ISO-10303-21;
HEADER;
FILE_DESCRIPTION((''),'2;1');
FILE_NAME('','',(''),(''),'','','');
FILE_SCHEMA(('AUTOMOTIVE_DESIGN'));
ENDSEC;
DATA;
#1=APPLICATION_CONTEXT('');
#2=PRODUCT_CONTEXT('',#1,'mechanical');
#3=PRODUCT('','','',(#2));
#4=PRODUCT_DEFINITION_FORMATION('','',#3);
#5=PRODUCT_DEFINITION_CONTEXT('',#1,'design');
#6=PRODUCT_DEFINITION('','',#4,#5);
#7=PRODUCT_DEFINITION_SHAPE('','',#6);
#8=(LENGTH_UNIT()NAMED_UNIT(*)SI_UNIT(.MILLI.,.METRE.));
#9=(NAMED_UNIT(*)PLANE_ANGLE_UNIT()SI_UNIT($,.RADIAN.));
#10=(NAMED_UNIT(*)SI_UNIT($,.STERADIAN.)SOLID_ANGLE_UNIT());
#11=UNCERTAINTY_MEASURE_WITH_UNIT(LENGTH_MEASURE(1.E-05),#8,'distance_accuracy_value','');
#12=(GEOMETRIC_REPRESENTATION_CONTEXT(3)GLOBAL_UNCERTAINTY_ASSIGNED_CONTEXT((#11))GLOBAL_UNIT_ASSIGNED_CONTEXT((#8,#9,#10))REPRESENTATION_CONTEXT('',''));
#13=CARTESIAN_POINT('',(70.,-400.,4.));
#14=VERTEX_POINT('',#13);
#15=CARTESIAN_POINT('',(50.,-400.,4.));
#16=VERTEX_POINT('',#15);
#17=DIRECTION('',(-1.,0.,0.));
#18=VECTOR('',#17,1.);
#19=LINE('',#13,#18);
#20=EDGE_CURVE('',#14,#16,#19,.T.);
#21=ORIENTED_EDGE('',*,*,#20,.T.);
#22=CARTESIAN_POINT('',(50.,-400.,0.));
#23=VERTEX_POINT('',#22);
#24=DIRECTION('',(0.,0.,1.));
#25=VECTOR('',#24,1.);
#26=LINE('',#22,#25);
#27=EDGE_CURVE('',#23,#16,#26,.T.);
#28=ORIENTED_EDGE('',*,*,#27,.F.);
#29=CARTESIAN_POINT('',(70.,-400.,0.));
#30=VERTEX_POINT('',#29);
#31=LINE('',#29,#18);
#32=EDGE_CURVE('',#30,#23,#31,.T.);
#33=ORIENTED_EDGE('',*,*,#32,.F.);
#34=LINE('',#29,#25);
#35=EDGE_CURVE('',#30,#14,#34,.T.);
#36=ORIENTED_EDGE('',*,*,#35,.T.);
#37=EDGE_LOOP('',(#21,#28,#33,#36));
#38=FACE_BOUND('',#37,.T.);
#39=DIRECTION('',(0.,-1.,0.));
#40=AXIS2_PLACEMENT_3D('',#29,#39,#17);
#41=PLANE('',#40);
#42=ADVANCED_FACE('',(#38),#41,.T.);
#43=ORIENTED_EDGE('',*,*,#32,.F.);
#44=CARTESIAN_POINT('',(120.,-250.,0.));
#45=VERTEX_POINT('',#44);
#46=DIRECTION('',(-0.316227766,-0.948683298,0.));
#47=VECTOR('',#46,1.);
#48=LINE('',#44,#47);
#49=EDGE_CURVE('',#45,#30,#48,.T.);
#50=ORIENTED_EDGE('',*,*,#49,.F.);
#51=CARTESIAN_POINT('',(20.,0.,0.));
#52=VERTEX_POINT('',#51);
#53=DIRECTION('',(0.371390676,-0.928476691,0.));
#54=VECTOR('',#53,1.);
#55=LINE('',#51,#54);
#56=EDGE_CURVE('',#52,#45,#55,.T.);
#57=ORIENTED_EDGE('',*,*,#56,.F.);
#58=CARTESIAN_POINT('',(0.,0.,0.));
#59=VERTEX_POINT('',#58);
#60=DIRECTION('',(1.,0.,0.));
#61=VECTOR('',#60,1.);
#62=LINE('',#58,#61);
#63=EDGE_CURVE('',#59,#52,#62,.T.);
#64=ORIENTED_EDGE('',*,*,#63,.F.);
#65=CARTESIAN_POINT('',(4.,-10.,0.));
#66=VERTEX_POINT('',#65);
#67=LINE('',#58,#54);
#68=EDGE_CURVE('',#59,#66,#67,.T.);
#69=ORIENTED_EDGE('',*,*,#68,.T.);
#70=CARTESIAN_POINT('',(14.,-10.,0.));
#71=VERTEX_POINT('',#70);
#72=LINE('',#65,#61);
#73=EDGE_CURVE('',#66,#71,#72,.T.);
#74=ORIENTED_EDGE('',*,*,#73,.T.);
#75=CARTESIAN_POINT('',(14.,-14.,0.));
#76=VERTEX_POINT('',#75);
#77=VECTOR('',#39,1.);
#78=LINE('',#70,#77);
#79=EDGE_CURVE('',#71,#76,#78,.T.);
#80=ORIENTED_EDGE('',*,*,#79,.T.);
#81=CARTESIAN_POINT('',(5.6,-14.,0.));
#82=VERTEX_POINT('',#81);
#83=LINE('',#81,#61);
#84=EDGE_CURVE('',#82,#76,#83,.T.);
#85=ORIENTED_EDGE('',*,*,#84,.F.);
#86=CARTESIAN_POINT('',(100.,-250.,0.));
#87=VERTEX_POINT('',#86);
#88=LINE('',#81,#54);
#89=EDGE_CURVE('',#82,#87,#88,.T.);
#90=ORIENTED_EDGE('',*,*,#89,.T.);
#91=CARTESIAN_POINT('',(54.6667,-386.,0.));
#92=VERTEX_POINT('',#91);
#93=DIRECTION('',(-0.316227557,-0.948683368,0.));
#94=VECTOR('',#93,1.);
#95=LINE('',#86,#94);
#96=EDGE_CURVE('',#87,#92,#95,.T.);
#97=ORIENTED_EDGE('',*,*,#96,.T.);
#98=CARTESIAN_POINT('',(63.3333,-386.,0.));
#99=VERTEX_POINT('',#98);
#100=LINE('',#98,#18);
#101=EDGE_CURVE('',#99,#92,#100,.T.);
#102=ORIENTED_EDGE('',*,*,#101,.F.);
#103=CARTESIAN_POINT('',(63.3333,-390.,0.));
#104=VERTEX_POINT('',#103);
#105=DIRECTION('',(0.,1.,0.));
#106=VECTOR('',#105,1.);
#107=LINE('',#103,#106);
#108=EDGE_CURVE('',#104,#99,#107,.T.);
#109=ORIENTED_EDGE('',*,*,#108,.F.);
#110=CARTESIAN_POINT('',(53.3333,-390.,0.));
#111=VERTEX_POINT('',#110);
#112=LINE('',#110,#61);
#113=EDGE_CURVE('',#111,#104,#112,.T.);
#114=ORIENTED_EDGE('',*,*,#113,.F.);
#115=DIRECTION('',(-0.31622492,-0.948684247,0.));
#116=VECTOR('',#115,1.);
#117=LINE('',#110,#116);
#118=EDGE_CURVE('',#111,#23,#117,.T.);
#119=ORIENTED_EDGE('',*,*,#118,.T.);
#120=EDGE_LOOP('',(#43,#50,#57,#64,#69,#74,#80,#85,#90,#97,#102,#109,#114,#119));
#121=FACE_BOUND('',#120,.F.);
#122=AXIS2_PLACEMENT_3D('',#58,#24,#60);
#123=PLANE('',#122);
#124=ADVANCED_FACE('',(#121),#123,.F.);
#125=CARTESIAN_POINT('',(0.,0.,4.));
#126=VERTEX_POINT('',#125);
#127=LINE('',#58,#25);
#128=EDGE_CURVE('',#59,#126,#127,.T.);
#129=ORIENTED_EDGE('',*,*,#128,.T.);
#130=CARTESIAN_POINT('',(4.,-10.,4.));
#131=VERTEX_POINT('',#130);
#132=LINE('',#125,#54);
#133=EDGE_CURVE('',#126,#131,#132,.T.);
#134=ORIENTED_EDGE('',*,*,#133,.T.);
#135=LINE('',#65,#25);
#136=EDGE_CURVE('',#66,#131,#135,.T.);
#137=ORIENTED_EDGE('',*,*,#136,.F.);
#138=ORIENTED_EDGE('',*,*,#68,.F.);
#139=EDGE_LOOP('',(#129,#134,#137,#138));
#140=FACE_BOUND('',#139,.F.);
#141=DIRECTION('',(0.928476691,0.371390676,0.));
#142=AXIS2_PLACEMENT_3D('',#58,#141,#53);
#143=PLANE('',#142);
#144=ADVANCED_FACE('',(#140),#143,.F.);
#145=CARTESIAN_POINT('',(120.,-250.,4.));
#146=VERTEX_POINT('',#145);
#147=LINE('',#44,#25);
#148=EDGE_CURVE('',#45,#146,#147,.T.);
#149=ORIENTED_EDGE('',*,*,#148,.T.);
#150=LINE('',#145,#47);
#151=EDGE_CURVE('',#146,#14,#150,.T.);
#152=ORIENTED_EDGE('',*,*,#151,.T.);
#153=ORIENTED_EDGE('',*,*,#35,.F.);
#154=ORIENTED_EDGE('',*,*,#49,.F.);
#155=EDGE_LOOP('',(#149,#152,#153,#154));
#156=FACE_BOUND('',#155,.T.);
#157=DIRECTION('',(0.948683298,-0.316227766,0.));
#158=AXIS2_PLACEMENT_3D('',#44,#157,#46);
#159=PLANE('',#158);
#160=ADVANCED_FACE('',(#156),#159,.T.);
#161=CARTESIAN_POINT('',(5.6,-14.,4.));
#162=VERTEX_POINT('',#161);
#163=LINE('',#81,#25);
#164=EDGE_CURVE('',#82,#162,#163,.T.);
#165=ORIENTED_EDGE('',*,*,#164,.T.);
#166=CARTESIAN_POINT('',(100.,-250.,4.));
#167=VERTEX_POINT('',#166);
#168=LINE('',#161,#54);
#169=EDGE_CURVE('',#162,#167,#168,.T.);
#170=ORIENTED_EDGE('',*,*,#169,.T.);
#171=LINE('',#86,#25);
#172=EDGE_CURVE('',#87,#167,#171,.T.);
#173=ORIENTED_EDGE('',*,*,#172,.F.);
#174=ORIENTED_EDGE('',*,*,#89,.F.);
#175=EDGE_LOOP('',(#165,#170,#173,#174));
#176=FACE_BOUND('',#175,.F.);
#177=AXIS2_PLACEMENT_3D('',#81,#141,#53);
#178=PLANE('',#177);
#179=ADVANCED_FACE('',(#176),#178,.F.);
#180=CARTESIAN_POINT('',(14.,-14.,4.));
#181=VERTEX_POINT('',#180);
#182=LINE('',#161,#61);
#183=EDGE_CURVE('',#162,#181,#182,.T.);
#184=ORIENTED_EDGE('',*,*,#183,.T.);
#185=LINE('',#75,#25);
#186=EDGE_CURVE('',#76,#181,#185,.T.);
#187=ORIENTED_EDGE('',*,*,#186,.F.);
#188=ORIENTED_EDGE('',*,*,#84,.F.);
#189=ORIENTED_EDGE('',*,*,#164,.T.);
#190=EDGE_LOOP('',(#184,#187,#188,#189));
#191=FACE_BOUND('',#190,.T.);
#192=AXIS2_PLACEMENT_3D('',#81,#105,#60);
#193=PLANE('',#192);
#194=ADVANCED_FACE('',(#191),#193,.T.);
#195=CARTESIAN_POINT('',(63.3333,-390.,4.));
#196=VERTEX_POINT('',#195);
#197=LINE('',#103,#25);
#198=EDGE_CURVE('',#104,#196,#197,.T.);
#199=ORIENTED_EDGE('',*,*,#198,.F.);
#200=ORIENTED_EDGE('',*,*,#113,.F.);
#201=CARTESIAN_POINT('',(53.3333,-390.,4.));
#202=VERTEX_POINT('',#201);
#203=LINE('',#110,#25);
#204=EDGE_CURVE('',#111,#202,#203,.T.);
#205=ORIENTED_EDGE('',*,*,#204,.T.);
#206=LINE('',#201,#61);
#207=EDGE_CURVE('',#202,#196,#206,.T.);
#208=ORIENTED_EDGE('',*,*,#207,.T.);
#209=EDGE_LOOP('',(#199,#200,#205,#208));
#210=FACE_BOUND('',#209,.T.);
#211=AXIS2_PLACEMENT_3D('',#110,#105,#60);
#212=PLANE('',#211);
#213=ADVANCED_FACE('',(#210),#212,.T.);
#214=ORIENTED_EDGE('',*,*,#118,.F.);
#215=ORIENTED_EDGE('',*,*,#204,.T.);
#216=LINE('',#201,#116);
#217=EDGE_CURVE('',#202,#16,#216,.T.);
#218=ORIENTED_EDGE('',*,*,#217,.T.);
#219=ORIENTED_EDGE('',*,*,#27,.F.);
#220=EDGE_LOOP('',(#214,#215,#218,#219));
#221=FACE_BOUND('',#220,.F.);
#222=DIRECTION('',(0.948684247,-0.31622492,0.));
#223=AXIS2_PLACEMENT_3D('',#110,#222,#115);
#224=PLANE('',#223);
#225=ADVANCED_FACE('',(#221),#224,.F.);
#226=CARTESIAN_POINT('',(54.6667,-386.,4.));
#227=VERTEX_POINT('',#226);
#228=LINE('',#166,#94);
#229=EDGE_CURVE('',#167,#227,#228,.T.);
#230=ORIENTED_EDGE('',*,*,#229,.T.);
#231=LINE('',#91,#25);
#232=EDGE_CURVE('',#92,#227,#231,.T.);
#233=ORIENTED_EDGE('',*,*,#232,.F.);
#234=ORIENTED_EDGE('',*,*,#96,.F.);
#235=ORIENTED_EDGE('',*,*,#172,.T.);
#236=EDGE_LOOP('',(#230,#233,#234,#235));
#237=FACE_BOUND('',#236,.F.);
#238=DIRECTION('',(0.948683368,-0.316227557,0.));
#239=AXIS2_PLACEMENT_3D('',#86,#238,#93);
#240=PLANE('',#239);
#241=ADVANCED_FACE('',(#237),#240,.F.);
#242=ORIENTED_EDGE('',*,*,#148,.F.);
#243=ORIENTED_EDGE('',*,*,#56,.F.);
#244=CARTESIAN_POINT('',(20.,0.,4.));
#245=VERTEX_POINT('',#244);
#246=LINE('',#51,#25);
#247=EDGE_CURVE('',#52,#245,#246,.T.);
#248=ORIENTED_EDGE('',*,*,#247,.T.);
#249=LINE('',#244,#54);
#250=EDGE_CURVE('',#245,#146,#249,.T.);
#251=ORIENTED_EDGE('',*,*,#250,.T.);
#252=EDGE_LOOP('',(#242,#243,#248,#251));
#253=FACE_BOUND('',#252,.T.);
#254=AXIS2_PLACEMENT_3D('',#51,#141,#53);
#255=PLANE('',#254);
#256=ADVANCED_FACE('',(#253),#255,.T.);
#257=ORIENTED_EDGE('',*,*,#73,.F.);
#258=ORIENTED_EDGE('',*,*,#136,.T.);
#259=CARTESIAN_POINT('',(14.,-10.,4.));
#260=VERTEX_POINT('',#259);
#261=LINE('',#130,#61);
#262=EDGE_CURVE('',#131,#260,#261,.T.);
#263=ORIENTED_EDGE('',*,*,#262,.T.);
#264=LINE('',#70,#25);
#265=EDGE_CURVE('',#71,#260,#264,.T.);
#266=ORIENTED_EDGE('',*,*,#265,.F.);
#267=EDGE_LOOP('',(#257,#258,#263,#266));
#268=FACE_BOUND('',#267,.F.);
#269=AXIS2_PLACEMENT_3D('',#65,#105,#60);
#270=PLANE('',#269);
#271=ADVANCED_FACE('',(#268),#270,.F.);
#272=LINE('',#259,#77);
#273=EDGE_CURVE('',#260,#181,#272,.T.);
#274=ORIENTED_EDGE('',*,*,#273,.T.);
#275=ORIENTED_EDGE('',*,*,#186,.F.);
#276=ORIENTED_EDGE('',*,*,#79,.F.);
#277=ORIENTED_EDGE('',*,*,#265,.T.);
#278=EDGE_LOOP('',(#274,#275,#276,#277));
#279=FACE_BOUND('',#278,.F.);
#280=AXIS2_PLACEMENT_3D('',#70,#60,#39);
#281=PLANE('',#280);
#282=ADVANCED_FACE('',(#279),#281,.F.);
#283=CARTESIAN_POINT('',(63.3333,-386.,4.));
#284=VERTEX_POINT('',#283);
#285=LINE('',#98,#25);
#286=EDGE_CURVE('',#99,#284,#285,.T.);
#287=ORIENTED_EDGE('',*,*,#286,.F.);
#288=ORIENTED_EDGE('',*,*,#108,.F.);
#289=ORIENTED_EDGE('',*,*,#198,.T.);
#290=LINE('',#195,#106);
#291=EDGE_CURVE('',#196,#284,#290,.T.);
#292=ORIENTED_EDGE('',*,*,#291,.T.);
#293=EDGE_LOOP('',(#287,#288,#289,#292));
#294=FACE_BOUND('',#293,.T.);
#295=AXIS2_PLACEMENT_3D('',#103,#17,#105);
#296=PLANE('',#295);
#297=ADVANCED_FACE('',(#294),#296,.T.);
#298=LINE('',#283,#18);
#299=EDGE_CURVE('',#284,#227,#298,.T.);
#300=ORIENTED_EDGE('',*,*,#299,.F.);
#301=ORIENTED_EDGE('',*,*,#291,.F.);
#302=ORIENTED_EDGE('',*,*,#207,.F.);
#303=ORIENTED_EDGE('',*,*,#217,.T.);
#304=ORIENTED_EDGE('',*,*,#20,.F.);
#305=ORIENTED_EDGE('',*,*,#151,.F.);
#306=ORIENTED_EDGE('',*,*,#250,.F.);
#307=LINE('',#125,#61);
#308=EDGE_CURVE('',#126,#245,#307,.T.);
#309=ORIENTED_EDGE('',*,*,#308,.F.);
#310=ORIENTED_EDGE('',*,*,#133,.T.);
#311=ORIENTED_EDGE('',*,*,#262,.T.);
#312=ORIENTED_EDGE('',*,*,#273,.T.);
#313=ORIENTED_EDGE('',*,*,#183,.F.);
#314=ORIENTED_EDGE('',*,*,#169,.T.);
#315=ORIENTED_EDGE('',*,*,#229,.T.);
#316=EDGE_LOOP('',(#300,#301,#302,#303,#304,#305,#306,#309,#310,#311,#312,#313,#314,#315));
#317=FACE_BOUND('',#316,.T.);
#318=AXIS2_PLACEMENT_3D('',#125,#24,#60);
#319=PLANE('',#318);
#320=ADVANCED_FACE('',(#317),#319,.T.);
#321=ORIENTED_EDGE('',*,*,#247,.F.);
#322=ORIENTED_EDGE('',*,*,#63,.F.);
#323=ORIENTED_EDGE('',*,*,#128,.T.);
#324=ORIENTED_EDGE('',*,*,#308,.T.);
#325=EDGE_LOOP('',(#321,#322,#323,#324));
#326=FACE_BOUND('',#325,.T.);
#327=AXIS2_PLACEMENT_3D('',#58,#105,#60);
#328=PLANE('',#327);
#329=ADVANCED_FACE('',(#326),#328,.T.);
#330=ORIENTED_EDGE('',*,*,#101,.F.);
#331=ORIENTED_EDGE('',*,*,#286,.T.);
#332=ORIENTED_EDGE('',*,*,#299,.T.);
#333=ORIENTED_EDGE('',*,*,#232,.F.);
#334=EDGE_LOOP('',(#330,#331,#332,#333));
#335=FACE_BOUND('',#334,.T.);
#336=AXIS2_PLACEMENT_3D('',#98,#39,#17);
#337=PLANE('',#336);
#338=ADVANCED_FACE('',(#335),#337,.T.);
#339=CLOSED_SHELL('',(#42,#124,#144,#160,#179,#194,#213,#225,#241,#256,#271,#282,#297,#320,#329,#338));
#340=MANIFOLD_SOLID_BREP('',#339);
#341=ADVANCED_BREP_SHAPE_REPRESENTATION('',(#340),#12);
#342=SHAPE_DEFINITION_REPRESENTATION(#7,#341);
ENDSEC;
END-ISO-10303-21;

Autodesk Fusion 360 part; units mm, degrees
sketch "Sketch1" plane through (0, 0, 0) normal (0, 0, 1) x (1, 0, 0)
  circle A0 centre (0, 0) radius 23.75
  line L0 (49.96, 2) -> (39.96, 2)
  line L1 (39.96, 2) -> (39.96, -2)
  line L2 (39.96, -2) -> (49.96, -2)
  line L3 (44.1446, 23.4788) -> (35.1349, 19.1399)
  line L4 (36.8705, 15.536) -> (45.8802, 19.8749)
  line L5 (35.1349, 19.1399) -> (36.8705, 15.536)
  line L6 (29.5859, 40.3073) -> (23.351, 32.489)
  line L7 (26.4783, 29.995) -> (32.7132, 37.8133)
  line L8 (23.351, 32.489) -> (26.4783, 29.995)
  line L9 (9.1673, 49.1524) -> (6.9421, 39.4031)
  line L10 (10.8418, 38.5131) -> (13.067, 48.2623)
  line L11 (6.9421, 39.4031) -> (10.8418, 38.5131)
  line L12 (-13.067, 48.2623) -> (-10.8418, 38.5131)
  line L13 (-6.9421, 39.4031) -> (-9.1673, 49.1524)
  line L14 (-10.8418, 38.5131) -> (-6.9421, 39.4031)
  line L15 (-32.7132, 37.8133) -> (-26.4783, 29.995)
  line L16 (-23.351, 32.489) -> (-29.5859, 40.3073)
  line L17 (-26.4783, 29.995) -> (-23.351, 32.489)
  line L18 (-45.8802, 19.8749) -> (-36.8705, 15.536)
  line L19 (-35.1349, 19.1399) -> (-44.1446, 23.4788)
  line L20 (-36.8705, 15.536) -> (-35.1349, 19.1399)
  line L21 (-49.96, -2) -> (-39.96, -2)
  line L22 (-39.96, 2) -> (-49.96, 2)
  line L23 (-39.96, -2) -> (-39.96, 2)
  line L24 (-44.1446, -23.4788) -> (-35.1349, -19.1399)
  line L25 (-36.8705, -15.536) -> (-45.8802, -19.8749)
  line L26 (-35.1349, -19.1399) -> (-36.8705, -15.536)
  line L27 (-29.5859, -40.3073) -> (-23.351, -32.489)
  line L28 (-26.4783, -29.995) -> (-32.7132, -37.8133)
  line L29 (-23.351, -32.489) -> (-26.4783, -29.995)
  line L30 (-9.1673, -49.1524) -> (-6.9421, -39.4031)
  line L31 (-10.8418, -38.5131) -> (-13.067, -48.2623)
  line L32 (-6.9421, -39.4031) -> (-10.8418, -38.5131)
  line L33 (13.067, -48.2623) -> (10.8418, -38.5131)
  line L34 (6.9421, -39.4031) -> (9.1673, -49.1524)
  line L35 (10.8418, -38.5131) -> (6.9421, -39.4031)
  line L36 (32.7132, -37.8133) -> (26.4783, -29.995)
  line L37 (23.351, -32.489) -> (29.5859, -40.3073)
  line L38 (26.4783, -29.995) -> (23.351, -32.489)
  line L39 (45.8802, -19.8749) -> (36.8705, -15.536)
  line L40 (35.1349, -19.1399) -> (44.1446, -23.4788)
  line L41 (36.8705, -15.536) -> (35.1349, -19.1399)
  arc A1 (49.96, 2) -> (45.8802, 19.8749) centre (0, 0) ccw
  arc A2 (44.1446, 23.4788) -> (32.7132, 37.8133) centre (0, 0) ccw
  arc A3 (29.5859, 40.3073) -> (13.067, 48.2623) centre (0, 0) ccw
  arc A4 (9.1673, 49.1524) -> (-9.1673, 49.1524) centre (0, 0) ccw
  arc A5 (-13.067, 48.2623) -> (-29.5859, 40.3073) centre (0, 0) ccw
  arc A6 (-32.7132, 37.8133) -> (-44.1446, 23.4788) centre (0, 0) ccw
  arc A7 (-45.8802, 19.8749) -> (-49.96, 2) centre (0, 0) ccw
  arc A8 (-49.96, -2) -> (-45.8802, -19.8749) centre (0, 0) ccw
  arc A9 (-44.1446, -23.4788) -> (-32.7132, -37.8133) centre (0, 0) ccw
  arc A10 (-29.5859, -40.3073) -> (-13.067, -48.2623) centre (0, 0) ccw
  arc A11 (-9.1673, -49.1524) -> (9.1673, -49.1524) centre (0, 0) ccw
  arc A12 (13.067, -48.2623) -> (29.5859, -40.3073) centre (0, 0) ccw
  arc A13 (32.7132, -37.8133) -> (44.1446, -23.4788) centre (0, 0) ccw
  arc A14 (45.8802, -19.8749) -> (49.96, -2) centre (0, 0) ccw
  dimension "d1" = 100
  dimension "d6" = 47.5
  dimension "d7" = 10
  dimension "d8" = 10
  dimension "d9" = 4
  dimension "d11" = 360
extrude "Extrude1" add sketch "Sketch1" along normal blind 4
equation "d1 = D_o"
equation "D_o = 100 mm"
equation "D_i = 47.5 mm"
equation "offset = 10 mm"
equation "d6 = D_i"
equation "d7 = offset"
equation "d8 = offset"
equation "d9 = Linear Dimension-4"

Autodesk Fusion 360 part; units mm, degrees
sketch "Sketch1" plane through (0, 0, 0) normal (0, 0, 1) x (1, 0, 0)
  line L0 (0, 0) -> (20, 0)
  line L1 (20, 0) -> (120, -250)
  line L2 (120, -250) -> (70, -400)
  line L3 (70, -400) -> (50, -400)
  line L4 (4, -10) -> (14, -10)
  line L5 (53.3333, -390) -> (63.3333, -390)
  line L6 (63.3333, -386) -> (54.6667, -386)
  line L7 (100, -250) -> (54.6667, -386)
  line L8 (53.3333, -390) -> (50, -400)
  line L9 (0, 0) -> (4, -10)
  line L10 (5.6, -14) -> (100, -250)
  line L11 (14, -10) -> (14, -14)
  line L12 (5.6, -14) -> (14, -14)
  line L13 (63.3333, -390) -> (63.3333, -386)
  dimension "d4" = 400
  dimension "d5" = 50
  dimension "d6" = 50
  dimension "d7" = 250
  dimension "d9" = 20
  dimension "d10" = 20
  dimension "d11" = 20
  dimension "d12" = 10
  dimension "d13" = 4
  dimension "d14" = 10
  dimension "d15" = 10
  dimension "d16" = 4
  dimension "d17" = 10
  dimension "d27" = 4
extrude "Extrude1" add sketch "Sketch1" along normal blind 4
sketch "Sketch1 (2)" plane through (0, 0, 0) normal (0, 0, 1) x (1, 0, 0) in component "Lampi1"
component "Lampi1" placed x (1, 0, 0) y (0, 1, 0) z (0, 0, 1) at (0, 0, 0)
equation "d4 = haed_skerms"
equation "d5 = umfram_radius"
equation "d6 = umfram_radius"
equation "d7 = haed_u"
equation "d9 = Linear Dimension-6"
equation "d10 = Linear Dimension-7"
equation "d11 = Linear Dimension-8"
equation "d12 = dypt_pressfit"
equation "d13 = Linear Dimension-10"
equation "d14 = dypt_pressfit"
equation "d15 = dypt_pressfit"
equation "d16 = Linear Dimension-13"
equation "d17 = dypt_pressfit"
equation "haed_skerms = 400 mm"
equation "haed_u = 250 mm"
equation "head_l = 150 mm"
equation "dypt_pressfit = 10 mm"
equation "umfram_radius = 50 mm"
